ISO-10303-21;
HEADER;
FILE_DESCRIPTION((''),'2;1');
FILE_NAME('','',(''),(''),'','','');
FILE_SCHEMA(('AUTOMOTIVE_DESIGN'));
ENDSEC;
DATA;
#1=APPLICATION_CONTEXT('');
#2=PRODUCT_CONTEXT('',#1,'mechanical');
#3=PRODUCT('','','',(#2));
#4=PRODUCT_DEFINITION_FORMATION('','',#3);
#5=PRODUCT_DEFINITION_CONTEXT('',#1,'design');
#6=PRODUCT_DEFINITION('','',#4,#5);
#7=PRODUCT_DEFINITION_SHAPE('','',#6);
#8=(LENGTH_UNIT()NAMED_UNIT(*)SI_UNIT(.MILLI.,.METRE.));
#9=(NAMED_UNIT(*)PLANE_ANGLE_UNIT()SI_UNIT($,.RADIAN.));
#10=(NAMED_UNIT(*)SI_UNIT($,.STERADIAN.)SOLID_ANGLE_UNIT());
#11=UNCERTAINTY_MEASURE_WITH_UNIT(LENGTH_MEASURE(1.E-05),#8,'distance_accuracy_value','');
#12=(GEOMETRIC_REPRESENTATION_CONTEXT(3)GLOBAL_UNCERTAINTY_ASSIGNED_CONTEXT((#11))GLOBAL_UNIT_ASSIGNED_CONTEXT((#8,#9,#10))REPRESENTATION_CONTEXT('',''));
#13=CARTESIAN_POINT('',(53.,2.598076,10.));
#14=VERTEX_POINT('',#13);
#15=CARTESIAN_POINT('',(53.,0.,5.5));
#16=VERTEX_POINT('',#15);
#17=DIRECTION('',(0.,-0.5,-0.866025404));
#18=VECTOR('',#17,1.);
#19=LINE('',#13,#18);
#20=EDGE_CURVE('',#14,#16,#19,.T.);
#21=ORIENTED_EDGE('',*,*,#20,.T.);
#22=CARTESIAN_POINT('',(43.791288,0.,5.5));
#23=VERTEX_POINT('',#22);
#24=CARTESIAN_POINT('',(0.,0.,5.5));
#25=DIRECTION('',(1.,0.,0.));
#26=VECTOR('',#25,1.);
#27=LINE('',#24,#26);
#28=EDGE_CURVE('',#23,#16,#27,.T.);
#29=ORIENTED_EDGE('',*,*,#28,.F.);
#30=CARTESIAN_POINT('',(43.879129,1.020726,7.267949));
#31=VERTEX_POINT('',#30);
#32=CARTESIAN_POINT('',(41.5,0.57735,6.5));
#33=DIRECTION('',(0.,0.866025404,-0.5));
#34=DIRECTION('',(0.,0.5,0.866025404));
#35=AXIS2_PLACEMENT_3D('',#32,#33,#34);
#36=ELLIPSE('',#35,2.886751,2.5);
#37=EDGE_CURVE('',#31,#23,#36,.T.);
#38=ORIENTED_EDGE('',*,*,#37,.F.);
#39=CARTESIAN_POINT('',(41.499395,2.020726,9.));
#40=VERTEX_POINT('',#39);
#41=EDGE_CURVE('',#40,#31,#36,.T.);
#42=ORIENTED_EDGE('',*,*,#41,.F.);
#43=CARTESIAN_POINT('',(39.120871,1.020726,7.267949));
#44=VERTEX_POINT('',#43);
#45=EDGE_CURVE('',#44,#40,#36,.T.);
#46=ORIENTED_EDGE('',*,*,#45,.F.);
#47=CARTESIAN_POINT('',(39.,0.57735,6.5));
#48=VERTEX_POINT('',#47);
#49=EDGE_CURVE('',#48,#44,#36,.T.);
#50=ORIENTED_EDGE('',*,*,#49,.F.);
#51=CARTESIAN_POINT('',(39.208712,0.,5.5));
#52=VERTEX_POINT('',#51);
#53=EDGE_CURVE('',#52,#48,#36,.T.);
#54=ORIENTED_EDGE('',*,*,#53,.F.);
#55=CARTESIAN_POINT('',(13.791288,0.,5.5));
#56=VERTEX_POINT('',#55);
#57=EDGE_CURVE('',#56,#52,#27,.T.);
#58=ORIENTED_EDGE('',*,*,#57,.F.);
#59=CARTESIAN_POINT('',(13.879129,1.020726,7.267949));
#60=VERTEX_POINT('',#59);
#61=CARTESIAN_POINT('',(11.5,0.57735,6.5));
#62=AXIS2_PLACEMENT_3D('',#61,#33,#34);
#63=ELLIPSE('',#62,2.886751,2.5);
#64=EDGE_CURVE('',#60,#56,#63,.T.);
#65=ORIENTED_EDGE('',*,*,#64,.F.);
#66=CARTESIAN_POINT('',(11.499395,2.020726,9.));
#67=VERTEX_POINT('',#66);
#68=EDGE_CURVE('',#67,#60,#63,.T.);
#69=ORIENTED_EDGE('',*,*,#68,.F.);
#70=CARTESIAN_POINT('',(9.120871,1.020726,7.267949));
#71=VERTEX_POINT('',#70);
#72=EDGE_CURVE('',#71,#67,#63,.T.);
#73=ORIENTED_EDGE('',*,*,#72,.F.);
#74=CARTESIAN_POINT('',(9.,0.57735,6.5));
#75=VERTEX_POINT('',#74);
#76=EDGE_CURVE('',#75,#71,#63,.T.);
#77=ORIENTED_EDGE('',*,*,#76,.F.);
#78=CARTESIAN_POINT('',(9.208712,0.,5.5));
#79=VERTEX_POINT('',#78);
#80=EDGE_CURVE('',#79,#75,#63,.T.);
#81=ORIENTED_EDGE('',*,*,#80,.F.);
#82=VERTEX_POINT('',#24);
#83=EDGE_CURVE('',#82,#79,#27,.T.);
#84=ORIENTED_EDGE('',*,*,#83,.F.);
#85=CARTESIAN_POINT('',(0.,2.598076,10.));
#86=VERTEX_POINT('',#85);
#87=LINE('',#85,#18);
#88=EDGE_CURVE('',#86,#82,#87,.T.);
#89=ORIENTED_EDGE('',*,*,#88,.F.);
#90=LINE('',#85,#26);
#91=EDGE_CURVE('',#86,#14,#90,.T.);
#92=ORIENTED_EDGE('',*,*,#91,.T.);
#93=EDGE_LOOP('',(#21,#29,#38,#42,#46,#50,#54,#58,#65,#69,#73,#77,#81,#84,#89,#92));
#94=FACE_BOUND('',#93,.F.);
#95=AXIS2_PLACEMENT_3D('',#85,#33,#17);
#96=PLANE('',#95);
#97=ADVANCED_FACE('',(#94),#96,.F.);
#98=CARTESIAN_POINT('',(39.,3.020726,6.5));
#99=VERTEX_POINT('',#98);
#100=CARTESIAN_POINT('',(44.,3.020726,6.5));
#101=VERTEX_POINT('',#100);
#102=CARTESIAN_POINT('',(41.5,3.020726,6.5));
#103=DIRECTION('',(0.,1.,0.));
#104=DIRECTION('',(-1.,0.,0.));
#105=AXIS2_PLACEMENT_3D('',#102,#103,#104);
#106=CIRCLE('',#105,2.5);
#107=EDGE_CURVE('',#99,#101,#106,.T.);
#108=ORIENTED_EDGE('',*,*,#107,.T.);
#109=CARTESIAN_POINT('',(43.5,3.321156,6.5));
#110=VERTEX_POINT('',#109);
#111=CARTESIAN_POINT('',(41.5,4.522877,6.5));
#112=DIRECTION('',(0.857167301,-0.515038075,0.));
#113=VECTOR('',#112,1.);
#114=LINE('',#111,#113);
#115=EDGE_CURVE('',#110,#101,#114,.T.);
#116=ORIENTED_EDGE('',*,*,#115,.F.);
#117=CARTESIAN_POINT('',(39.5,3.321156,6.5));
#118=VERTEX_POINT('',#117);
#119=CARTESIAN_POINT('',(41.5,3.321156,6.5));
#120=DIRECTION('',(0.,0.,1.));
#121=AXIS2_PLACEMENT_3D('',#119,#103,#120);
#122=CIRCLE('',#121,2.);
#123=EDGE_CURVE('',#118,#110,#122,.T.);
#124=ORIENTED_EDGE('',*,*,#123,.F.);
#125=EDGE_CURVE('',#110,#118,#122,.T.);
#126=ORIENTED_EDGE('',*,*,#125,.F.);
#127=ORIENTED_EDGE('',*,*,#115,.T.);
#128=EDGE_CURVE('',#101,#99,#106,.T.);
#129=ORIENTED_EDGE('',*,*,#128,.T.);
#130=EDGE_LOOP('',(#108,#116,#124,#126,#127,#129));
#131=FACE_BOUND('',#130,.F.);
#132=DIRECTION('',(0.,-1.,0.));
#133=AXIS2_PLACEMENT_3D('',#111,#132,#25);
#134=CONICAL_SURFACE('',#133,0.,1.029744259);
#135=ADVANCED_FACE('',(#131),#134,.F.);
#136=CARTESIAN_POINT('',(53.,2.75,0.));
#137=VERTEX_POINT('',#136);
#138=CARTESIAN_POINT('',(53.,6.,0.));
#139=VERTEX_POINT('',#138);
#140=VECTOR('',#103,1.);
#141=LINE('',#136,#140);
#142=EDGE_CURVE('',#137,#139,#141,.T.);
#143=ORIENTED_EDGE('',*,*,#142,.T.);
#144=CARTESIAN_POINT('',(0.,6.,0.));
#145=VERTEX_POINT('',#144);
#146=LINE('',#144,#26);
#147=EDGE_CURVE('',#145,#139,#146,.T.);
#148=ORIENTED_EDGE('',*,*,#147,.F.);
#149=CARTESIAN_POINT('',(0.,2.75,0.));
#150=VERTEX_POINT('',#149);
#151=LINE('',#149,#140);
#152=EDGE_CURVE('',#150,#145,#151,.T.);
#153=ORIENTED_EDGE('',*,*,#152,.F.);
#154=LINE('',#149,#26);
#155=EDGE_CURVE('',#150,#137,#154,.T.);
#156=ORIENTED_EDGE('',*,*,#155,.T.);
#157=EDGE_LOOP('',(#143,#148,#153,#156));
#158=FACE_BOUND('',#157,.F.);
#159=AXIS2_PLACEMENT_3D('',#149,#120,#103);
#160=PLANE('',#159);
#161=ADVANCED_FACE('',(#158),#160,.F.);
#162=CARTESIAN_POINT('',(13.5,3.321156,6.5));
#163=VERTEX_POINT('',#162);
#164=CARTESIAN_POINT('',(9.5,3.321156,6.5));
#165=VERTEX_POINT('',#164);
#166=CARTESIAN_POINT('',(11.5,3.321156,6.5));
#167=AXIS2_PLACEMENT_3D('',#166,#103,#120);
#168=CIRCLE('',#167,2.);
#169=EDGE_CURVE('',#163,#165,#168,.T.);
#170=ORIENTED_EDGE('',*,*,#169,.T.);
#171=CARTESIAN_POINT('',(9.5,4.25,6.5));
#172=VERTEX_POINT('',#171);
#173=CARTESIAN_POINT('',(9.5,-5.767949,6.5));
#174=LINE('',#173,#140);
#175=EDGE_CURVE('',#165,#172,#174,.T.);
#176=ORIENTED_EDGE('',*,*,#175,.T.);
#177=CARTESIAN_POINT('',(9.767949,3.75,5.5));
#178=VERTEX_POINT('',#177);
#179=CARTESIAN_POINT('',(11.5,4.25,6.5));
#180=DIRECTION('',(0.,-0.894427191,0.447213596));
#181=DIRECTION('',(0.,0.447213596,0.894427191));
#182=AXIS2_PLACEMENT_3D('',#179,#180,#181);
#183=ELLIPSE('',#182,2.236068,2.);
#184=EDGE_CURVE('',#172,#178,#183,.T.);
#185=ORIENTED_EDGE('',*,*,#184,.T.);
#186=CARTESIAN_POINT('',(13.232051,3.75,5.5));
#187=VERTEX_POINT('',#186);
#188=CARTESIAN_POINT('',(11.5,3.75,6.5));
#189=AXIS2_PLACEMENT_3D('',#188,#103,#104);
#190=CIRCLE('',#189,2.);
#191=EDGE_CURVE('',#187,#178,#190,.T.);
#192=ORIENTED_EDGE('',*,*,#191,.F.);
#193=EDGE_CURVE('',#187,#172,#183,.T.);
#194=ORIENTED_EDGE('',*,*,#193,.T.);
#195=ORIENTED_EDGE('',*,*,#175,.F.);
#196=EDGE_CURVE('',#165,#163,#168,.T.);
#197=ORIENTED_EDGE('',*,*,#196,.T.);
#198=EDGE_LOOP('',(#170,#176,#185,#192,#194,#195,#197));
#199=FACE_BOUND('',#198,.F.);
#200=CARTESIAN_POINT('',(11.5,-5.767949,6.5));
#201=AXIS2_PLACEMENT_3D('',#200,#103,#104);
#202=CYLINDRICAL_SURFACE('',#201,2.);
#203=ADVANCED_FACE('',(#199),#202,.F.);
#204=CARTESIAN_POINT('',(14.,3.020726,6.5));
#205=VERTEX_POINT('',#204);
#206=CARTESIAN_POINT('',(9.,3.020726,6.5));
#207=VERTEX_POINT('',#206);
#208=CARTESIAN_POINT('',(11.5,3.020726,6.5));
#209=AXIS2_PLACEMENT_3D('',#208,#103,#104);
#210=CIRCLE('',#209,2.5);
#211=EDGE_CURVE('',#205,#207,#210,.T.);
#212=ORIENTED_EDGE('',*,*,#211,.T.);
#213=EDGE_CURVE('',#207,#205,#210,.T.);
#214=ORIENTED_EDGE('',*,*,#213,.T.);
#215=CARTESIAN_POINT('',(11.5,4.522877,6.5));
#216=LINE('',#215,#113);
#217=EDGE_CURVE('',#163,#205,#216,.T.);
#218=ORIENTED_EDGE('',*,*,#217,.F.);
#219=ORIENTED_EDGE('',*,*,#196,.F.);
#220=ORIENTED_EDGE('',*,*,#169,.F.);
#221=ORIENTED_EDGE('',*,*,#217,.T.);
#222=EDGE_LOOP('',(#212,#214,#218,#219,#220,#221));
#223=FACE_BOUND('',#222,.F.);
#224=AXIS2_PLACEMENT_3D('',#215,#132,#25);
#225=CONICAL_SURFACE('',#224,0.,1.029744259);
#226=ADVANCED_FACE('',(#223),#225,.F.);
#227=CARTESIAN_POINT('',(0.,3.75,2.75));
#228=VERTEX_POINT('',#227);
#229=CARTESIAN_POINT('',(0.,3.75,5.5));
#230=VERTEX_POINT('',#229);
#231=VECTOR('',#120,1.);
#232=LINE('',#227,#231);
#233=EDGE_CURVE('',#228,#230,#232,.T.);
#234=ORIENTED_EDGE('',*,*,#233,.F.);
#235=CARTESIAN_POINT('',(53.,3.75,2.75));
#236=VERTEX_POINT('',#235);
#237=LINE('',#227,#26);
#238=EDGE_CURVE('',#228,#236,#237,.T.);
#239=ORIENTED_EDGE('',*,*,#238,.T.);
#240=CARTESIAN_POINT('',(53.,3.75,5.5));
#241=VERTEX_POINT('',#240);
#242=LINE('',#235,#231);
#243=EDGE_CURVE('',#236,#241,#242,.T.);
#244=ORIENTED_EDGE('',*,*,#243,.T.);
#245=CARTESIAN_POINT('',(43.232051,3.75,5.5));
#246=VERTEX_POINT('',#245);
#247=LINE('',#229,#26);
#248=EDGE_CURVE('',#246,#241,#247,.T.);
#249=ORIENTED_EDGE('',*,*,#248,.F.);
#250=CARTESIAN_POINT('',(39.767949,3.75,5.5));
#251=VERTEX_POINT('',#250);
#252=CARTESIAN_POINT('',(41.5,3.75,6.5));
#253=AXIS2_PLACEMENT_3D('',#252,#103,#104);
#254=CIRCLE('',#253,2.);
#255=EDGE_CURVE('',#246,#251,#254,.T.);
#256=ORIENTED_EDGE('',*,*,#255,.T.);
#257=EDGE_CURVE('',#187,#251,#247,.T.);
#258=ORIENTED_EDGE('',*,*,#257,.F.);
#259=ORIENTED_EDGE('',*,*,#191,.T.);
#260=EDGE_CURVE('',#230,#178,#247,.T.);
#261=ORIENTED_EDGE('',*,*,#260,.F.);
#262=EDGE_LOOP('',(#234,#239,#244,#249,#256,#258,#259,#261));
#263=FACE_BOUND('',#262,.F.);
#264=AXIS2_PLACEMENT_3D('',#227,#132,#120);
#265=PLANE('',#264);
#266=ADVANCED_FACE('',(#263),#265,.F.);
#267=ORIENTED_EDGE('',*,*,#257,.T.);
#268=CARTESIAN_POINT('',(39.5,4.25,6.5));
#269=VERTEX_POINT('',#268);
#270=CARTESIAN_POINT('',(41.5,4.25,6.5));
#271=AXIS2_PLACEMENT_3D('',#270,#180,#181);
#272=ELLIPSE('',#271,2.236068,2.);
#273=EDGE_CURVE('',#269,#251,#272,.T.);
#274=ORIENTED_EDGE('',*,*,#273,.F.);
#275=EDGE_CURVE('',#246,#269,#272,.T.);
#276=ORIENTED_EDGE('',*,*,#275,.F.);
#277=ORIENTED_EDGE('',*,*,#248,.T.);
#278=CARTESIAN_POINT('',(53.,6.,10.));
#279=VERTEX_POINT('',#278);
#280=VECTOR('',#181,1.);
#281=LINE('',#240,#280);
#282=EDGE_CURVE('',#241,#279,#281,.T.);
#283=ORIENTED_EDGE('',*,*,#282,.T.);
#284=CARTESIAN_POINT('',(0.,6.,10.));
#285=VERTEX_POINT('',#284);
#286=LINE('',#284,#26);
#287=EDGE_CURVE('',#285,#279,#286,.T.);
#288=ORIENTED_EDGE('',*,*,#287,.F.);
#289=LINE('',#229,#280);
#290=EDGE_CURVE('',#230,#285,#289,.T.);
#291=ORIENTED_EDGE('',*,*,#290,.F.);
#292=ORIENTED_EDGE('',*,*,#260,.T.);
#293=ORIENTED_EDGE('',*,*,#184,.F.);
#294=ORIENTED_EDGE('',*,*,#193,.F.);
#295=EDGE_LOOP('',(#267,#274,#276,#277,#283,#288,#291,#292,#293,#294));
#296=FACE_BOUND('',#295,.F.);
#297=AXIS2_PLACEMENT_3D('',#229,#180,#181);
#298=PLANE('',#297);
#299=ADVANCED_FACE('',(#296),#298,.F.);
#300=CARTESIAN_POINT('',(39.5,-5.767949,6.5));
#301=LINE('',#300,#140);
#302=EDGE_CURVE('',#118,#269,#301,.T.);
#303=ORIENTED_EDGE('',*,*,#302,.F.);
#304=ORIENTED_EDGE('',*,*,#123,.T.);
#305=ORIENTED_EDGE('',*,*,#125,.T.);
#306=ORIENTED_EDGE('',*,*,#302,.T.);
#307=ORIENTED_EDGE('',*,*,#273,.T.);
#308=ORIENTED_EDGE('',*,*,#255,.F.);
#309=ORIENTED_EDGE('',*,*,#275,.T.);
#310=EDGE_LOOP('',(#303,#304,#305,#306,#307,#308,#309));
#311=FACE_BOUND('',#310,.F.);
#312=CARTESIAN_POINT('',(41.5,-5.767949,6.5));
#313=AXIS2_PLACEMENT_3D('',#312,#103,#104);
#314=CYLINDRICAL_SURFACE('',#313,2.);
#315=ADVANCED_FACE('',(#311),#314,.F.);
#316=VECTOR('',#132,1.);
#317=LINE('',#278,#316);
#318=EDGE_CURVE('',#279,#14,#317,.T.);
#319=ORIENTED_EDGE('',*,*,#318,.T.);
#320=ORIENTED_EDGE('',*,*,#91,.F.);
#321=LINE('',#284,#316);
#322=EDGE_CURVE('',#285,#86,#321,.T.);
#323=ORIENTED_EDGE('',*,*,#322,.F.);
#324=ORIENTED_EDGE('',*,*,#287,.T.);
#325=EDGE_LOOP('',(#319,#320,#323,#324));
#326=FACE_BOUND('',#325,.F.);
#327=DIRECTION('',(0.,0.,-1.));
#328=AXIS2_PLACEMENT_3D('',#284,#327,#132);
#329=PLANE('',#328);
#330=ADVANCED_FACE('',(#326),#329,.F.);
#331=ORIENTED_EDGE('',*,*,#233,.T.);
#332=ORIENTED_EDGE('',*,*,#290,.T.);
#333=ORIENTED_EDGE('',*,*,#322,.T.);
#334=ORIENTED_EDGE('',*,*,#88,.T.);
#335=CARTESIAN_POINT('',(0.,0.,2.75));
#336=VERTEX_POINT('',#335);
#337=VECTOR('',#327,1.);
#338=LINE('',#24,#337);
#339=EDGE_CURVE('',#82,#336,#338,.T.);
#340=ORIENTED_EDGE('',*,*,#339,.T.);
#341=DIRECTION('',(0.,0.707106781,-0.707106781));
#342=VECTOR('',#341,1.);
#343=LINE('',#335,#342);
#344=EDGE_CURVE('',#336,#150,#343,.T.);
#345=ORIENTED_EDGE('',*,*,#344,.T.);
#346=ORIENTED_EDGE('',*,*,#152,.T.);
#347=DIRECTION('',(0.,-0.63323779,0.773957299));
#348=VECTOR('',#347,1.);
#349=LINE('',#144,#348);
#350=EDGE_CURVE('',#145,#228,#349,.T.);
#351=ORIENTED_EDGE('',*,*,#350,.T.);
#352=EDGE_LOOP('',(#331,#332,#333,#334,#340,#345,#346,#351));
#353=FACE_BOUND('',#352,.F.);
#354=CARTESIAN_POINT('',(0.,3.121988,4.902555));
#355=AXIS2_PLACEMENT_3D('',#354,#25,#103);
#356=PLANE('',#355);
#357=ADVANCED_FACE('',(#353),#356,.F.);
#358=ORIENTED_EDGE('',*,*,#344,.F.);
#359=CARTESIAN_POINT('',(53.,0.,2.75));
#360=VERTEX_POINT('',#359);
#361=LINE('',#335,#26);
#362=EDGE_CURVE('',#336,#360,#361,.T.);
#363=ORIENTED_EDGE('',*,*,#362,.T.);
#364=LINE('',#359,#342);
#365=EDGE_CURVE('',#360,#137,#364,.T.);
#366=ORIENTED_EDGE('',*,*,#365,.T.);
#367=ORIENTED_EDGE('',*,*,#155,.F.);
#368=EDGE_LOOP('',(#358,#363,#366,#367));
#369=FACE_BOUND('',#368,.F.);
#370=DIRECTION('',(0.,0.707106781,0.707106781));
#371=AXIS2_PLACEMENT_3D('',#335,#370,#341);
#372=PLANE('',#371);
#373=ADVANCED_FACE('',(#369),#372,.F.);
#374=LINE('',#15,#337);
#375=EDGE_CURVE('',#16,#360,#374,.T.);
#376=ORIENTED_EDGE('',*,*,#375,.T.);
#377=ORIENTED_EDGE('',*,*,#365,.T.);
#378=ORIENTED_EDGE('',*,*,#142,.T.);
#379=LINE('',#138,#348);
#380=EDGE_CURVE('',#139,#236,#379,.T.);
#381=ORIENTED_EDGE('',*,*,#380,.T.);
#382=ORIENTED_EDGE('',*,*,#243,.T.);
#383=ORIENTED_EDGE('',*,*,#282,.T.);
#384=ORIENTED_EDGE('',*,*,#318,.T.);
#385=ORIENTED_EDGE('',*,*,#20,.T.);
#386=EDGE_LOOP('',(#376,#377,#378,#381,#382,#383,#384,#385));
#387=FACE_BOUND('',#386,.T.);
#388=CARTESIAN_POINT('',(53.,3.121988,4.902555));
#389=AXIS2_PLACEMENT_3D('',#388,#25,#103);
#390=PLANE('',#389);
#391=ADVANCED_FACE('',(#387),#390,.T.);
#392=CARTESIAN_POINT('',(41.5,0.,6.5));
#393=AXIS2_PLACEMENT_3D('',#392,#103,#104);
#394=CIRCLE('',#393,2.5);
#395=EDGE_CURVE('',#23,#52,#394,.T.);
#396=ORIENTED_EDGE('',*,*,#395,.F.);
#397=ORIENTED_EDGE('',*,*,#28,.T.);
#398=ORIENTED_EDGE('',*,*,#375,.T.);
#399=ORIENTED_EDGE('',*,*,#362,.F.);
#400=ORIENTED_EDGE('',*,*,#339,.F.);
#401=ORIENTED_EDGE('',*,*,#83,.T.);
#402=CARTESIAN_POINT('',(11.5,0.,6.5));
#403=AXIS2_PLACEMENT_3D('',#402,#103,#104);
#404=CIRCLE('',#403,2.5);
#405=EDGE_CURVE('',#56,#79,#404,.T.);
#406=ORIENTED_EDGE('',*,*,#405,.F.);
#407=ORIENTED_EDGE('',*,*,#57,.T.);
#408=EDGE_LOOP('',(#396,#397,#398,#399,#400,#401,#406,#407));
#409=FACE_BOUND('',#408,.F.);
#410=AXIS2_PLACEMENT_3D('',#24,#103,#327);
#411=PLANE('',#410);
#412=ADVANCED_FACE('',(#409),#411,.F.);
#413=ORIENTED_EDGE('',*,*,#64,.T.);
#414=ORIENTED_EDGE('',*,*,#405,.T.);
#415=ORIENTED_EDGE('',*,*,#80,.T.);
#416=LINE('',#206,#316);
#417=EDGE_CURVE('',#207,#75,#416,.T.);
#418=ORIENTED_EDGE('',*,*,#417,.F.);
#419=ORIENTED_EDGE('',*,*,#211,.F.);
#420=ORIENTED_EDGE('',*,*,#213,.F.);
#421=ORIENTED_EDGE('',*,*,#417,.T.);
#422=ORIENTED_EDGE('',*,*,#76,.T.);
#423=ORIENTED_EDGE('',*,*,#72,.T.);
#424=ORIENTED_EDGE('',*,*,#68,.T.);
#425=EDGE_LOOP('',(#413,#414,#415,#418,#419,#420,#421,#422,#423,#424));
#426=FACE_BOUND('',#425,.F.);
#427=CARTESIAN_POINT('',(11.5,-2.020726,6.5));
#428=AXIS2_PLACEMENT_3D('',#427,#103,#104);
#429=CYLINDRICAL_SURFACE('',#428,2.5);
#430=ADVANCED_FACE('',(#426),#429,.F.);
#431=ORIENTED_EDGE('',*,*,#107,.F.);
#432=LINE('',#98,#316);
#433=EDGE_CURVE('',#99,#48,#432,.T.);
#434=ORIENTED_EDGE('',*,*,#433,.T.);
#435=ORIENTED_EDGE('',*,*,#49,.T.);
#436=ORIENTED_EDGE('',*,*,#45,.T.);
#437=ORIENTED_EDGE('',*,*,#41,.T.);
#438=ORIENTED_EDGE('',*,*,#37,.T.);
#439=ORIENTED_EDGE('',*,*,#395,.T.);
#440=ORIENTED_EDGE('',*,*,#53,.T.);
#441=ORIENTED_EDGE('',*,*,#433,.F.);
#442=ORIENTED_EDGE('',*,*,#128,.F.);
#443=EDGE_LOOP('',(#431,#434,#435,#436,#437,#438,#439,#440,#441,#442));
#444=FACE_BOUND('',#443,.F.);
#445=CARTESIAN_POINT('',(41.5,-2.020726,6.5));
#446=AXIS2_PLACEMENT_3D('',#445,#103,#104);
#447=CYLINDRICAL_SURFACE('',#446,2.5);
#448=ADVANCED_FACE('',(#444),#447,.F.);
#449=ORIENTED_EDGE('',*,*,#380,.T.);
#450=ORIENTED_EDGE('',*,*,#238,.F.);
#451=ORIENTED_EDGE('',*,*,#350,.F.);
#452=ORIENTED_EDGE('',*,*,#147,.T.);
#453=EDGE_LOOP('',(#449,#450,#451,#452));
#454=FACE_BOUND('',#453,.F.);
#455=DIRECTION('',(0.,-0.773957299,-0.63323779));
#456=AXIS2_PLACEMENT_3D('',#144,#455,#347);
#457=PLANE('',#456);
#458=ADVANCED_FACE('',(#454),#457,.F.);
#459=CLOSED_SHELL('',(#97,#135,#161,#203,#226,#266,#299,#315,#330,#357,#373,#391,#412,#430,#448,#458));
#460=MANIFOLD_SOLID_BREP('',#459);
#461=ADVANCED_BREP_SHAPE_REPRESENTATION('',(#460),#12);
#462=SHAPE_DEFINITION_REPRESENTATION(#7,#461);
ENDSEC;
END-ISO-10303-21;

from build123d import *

# Parameters (mm, degrees)
F1_DEPTH = 53
F3_D     = 4
F3_DEPTH = 7.5
F3_START = 1.7320508
F3_TIP   = 1.2017212381
F4_D     = 4
F4_DEPTH = 7.5
F4_START = 1.7320508
F4_TIP   = 1.2017212381
F5_D     = 5
F5_DEPTH = 1
F5_START = 2.0207259
F5_TIP   = 1.5021515476
F6_D     = 5
F6_DEPTH = 1
F6_START = 2.0207259
F6_TIP   = 1.5021515476


with BuildPart() as f1:
    # F0 (on Right) → F1 (new body)
    with BuildSketch(Plane.YZ):
        Polygon((0, 2.75), (2.75, 0), (6, 0), (3.75, 2.75), (3.75, 5.5), (6, 10), (2.5980762114, 10), (0, 5.5), align=None)
    extrude(amount=F1_DEPTH)

    # F3
    # its depths count from where the whole tool has entered the part; down to there all is cleared
    with Locations(Plane.XZ.offset(-F3_START)):
        with Locations((11.5, 6.5)):
            Hole(F3_D / 2, depth=F3_DEPTH)
            with Locations((0, 0, -(F3_DEPTH + F3_TIP / 2))):  # 118° drill point
                Cone(0, F3_D / 2, F3_TIP, mode=Mode.SUBTRACT)

    # F4
    # its depths count from where the whole tool has entered the part; down to there all is cleared
    with Locations(Plane.XZ.offset(-F4_START)):
        with Locations((41.5, 6.5)):
            Hole(F4_D / 2, depth=F4_DEPTH)
            with Locations((0, 0, -(F4_DEPTH + F4_TIP / 2))):  # 118° drill point
                Cone(0, F4_D / 2, F4_TIP, mode=Mode.SUBTRACT)

    # F5
    # its depths count from where the whole tool has entered the part; down to there all is cleared
    with Locations(Plane.XZ):
        with Locations((11.5, 6.5)):
            Hole(F5_D / 2, depth=F5_START)
    with Locations(Plane.XZ.offset(-F5_START)):
        with Locations((11.5, 6.5)):
            Hole(F5_D / 2, depth=F5_DEPTH)
            with Locations((0, 0, -(F5_DEPTH + F5_TIP / 2))):  # 118° drill point
                Cone(0, F5_D / 2, F5_TIP, mode=Mode.SUBTRACT)

    # F6
    # its depths count from where the whole tool has entered the part; down to there all is cleared
    with Locations(Plane.XZ):
        with Locations((41.5, 6.5)):
            Hole(F6_D / 2, depth=F6_START)
    with Locations(Plane.XZ.offset(-F6_START)):
        with Locations((41.5, 6.5)):
            Hole(F6_D / 2, depth=F6_DEPTH)
            with Locations((0, 0, -(F6_DEPTH + F6_TIP / 2))):  # 118° drill point
                Cone(0, F6_D / 2, F6_TIP, mode=Mode.SUBTRACT)


solid = f1.part
